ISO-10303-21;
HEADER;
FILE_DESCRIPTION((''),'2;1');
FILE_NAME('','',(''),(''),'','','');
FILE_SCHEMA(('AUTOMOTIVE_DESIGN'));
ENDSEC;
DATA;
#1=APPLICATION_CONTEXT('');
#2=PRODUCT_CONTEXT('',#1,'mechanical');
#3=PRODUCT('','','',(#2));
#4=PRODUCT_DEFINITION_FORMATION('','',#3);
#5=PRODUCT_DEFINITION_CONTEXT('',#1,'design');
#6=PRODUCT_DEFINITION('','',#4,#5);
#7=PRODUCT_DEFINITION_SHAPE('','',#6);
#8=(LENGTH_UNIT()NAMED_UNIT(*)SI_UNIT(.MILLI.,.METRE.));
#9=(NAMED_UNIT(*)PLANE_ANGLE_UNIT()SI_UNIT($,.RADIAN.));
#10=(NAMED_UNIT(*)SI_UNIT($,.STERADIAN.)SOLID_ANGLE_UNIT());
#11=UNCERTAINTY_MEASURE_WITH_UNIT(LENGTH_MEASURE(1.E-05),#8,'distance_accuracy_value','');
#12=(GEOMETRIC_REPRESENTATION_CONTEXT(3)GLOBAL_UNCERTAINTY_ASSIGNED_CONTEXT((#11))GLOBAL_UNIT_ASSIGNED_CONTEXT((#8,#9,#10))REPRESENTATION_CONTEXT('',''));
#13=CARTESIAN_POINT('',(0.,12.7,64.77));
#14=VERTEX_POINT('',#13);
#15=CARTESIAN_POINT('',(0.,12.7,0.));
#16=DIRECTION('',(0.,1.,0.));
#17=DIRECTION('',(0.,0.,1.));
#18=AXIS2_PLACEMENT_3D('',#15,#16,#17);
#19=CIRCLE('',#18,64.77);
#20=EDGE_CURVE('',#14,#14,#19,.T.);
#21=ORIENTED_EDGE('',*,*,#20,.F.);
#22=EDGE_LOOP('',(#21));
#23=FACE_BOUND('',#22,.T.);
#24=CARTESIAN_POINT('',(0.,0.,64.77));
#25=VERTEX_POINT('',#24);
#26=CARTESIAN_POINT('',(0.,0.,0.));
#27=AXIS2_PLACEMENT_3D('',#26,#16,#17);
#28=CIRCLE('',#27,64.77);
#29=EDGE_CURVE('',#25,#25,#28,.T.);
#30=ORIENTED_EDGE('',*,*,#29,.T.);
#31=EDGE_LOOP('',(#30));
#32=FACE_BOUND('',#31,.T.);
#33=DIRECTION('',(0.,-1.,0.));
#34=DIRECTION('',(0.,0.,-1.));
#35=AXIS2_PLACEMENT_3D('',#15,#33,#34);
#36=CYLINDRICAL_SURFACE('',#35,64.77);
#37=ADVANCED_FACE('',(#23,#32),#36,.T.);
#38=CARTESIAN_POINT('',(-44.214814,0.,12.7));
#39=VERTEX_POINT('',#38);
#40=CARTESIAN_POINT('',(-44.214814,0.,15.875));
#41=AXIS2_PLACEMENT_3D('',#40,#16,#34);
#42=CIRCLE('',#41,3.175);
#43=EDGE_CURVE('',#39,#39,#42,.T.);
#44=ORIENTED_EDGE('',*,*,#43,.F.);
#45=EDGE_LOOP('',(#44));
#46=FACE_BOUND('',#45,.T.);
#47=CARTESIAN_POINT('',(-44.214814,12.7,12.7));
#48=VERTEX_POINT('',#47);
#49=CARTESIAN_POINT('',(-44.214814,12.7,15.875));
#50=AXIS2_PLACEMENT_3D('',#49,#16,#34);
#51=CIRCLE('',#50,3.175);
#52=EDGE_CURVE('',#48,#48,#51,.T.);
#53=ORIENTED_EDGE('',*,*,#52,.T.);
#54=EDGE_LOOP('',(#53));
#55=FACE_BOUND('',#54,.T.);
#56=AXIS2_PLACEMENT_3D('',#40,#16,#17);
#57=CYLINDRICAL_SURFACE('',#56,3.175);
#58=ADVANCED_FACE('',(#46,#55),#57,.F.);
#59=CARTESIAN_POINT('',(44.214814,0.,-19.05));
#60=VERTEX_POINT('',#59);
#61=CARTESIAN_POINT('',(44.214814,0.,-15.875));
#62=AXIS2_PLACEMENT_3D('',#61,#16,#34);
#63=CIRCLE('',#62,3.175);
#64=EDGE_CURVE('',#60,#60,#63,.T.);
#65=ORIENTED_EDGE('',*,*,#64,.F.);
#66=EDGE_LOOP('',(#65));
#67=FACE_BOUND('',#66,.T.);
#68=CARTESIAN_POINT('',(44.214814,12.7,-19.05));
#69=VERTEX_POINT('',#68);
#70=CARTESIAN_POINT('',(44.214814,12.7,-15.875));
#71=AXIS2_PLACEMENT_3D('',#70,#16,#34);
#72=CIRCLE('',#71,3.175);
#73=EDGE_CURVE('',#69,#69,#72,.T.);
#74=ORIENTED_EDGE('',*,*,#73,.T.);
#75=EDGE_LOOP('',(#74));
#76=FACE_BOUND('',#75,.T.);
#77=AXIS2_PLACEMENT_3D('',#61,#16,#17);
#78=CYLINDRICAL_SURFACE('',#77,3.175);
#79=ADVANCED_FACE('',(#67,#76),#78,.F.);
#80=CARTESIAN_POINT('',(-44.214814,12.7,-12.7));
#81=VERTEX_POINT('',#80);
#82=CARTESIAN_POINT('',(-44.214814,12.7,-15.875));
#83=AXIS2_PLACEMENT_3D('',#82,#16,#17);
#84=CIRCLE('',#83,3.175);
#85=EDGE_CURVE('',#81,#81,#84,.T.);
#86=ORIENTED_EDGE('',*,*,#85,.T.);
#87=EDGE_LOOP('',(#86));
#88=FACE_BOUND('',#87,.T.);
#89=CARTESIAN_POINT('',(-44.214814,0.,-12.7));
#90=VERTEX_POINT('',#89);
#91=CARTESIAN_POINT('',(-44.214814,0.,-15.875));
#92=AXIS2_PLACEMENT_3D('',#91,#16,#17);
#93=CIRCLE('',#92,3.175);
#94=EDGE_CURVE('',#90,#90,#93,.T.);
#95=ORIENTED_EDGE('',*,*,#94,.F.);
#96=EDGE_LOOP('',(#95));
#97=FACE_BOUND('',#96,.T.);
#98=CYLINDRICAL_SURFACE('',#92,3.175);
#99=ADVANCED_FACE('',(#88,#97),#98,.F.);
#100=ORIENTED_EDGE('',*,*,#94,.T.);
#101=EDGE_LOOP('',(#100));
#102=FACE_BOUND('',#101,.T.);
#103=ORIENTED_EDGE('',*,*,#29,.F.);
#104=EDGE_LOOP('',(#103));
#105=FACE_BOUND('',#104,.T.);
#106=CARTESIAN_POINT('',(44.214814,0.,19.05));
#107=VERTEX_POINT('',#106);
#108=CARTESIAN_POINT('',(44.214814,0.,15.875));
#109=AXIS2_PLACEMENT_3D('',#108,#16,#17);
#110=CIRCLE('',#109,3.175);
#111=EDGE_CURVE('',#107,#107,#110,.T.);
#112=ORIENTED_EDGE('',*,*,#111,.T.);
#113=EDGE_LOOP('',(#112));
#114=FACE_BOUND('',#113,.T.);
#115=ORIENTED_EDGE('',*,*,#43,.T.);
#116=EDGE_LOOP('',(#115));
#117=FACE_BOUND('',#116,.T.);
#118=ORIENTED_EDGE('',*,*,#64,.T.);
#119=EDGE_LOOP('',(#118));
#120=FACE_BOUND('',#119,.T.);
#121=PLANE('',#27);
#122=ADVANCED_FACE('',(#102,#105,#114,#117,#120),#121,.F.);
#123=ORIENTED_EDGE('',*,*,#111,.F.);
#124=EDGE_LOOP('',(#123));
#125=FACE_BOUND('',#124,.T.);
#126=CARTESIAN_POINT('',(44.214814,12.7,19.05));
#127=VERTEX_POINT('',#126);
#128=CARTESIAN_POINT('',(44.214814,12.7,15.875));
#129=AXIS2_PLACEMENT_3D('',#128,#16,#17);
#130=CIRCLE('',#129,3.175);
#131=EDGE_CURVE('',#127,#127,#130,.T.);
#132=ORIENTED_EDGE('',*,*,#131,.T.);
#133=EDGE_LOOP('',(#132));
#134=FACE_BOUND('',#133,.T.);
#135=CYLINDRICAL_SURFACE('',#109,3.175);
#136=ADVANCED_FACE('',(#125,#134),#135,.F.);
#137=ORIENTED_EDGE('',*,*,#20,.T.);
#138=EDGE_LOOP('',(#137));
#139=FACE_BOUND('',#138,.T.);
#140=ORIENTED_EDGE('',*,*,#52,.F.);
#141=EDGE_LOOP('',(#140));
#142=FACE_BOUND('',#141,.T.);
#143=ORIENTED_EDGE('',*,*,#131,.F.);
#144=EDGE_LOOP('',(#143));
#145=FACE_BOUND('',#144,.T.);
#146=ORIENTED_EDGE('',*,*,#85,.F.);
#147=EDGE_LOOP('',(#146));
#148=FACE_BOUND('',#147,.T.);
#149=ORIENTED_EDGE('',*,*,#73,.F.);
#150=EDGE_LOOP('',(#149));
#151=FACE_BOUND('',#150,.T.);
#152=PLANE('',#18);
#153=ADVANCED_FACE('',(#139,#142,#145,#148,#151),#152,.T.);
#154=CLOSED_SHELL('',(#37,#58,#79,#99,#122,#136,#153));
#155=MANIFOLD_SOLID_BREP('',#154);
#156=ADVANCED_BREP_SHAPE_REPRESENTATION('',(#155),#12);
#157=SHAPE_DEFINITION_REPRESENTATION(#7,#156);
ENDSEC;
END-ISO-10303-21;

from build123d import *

# Parameters (mm, degrees)
SKETCH1_R           = 64.77
BOSS_EXTRUDE1_DEPTH = 12.7
SKETCH2_R           = 3.175
CUT_EXTRUDE1_DEPTH  = 93.47483874


with BuildPart() as part:
    # Sketch1 → Boss-Extrude1 (new body)
    with BuildSketch(Plane(origin=(0, 0, 0), x_dir=(1, 0, 0), z_dir=(0, 1, 0))):
        with Locations(Location((0, 0, 0), (0, 0, 270))):
            Circle(SKETCH1_R)
    extrude(amount=BOSS_EXTRUDE1_DEPTH)

    # Sketch2 → Cut-Extrude1 (cut, through all)
    with BuildSketch(Plane(origin=(0, 12.7, 0), x_dir=(1, 0, 0), z_dir=(0, 1, 0))):
        with Locations(Location((-44.214813621, 15.875, 0), (0, 0, 270))):
            Circle(SKETCH2_R)
        with Locations(Location((-44.214813621, -15.875, 0), (0, 0, 90))):
            Circle(SKETCH2_R)
        with Locations(Location((44.214813621, -15.875, 0), (0, 0, 270))):
            Circle(SKETCH2_R)
        with Locations(Location((44.214813621, 15.875, 0), (0, 0, 90))):
            Circle(SKETCH2_R)
    extrude(amount=-CUT_EXTRUDE1_DEPTH, mode=Mode.SUBTRACT)


solid = part.part
